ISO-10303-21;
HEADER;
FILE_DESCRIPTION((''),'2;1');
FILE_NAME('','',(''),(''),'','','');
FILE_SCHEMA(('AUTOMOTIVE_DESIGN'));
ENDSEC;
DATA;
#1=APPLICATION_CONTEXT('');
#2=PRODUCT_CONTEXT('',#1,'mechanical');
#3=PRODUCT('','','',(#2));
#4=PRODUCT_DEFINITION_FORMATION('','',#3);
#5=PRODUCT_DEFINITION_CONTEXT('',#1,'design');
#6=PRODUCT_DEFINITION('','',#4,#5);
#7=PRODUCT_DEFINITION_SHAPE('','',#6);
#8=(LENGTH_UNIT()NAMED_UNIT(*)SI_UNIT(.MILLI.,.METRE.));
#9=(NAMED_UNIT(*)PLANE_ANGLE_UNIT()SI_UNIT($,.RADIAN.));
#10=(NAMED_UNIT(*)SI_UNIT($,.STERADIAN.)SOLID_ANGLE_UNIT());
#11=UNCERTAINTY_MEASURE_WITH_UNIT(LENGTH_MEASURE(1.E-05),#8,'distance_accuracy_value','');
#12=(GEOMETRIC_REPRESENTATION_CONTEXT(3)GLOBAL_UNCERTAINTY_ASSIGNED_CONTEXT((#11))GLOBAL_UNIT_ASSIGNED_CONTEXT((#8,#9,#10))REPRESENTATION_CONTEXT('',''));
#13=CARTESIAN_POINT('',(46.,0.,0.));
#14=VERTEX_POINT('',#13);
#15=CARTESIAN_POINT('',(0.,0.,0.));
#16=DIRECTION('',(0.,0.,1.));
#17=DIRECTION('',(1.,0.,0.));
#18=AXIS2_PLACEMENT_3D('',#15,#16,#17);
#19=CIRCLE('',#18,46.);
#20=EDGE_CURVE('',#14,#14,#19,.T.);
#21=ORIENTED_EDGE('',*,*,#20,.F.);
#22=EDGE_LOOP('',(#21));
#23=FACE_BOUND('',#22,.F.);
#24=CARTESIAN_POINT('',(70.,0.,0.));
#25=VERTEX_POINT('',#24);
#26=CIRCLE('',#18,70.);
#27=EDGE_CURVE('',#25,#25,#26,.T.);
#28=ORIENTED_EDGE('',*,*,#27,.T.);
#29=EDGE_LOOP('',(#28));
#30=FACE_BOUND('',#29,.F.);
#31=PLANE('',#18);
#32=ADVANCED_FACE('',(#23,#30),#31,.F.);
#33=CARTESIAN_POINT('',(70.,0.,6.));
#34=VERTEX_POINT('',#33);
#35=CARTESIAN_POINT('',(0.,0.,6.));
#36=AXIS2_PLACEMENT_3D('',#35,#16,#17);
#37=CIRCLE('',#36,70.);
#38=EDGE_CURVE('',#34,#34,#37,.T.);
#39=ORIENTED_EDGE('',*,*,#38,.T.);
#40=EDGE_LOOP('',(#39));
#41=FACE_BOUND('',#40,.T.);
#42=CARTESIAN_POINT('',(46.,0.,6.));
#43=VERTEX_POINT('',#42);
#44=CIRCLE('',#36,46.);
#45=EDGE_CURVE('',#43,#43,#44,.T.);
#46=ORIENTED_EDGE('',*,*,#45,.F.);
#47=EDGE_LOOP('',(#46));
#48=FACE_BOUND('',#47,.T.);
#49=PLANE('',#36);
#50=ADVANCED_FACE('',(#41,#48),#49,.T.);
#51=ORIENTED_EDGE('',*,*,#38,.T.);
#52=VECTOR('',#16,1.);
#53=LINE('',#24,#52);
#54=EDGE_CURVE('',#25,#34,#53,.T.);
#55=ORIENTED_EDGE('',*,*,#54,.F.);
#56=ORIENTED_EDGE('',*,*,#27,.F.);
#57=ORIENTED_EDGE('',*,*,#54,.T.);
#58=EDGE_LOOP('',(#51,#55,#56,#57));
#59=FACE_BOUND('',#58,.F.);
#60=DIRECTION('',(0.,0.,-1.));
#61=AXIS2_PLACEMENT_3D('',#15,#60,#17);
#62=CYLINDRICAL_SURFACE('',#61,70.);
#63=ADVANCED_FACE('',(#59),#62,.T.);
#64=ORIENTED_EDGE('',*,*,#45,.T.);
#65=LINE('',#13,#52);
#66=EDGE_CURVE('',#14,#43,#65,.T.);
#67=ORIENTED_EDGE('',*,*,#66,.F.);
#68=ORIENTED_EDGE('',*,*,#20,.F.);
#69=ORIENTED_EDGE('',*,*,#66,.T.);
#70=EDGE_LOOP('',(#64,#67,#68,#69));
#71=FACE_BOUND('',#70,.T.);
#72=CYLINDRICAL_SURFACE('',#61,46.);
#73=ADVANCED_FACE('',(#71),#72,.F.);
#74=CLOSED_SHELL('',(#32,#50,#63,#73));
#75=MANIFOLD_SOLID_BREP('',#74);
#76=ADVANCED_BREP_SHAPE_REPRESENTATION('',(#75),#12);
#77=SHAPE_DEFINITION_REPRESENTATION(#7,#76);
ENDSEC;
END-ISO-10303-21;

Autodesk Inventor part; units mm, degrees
ref_plane "YZ Plane" through (0, 0, 0) normal (1, 0, 0) x (0, 1, 0)
ref_plane "XZ Plane" through (0, 0, 0) normal (0, 1, 0) x (-1, 0, 0)
ref_plane "XY Plane" through (0, 0, 0) normal (0, 0, 1) x (1, 0, 0)
sketch "Sketch2" plane through (0, 0, 0) normal (0, 0, 1) x (1, 0, 0)
  circle A0 centre (0, 0) radius 46
  circle A1 centre (0, 0) radius 70
  dimension "d25" = 92
  dimension "d27" = 140
extrude "Plate2" add sketch "Sketch2" along normal blind 6
equation "\"d14\" = Thickness"
equation "\"BendReliefWidth\" = Thickness"
equation "\"BendReliefDepth\" = 0.5 * Thickness"
equation "\"CornerReliefSize\" = 4 * Thickness"
equation "\"MinimumRemnant\" = 2 * Thickness"
equation "\"TransitionRadius\" = BendRadius"
equation "\"JacobiRadiusSize\" = BendRadius"
equation "\"GapSize\" = Thickness"
equation "\"Thickness\" = 6"
equation "\"BendRadius\" = 6"
properties part number "PRS 9432 FDS free flange DN90_D1200 940" material "Steel"
